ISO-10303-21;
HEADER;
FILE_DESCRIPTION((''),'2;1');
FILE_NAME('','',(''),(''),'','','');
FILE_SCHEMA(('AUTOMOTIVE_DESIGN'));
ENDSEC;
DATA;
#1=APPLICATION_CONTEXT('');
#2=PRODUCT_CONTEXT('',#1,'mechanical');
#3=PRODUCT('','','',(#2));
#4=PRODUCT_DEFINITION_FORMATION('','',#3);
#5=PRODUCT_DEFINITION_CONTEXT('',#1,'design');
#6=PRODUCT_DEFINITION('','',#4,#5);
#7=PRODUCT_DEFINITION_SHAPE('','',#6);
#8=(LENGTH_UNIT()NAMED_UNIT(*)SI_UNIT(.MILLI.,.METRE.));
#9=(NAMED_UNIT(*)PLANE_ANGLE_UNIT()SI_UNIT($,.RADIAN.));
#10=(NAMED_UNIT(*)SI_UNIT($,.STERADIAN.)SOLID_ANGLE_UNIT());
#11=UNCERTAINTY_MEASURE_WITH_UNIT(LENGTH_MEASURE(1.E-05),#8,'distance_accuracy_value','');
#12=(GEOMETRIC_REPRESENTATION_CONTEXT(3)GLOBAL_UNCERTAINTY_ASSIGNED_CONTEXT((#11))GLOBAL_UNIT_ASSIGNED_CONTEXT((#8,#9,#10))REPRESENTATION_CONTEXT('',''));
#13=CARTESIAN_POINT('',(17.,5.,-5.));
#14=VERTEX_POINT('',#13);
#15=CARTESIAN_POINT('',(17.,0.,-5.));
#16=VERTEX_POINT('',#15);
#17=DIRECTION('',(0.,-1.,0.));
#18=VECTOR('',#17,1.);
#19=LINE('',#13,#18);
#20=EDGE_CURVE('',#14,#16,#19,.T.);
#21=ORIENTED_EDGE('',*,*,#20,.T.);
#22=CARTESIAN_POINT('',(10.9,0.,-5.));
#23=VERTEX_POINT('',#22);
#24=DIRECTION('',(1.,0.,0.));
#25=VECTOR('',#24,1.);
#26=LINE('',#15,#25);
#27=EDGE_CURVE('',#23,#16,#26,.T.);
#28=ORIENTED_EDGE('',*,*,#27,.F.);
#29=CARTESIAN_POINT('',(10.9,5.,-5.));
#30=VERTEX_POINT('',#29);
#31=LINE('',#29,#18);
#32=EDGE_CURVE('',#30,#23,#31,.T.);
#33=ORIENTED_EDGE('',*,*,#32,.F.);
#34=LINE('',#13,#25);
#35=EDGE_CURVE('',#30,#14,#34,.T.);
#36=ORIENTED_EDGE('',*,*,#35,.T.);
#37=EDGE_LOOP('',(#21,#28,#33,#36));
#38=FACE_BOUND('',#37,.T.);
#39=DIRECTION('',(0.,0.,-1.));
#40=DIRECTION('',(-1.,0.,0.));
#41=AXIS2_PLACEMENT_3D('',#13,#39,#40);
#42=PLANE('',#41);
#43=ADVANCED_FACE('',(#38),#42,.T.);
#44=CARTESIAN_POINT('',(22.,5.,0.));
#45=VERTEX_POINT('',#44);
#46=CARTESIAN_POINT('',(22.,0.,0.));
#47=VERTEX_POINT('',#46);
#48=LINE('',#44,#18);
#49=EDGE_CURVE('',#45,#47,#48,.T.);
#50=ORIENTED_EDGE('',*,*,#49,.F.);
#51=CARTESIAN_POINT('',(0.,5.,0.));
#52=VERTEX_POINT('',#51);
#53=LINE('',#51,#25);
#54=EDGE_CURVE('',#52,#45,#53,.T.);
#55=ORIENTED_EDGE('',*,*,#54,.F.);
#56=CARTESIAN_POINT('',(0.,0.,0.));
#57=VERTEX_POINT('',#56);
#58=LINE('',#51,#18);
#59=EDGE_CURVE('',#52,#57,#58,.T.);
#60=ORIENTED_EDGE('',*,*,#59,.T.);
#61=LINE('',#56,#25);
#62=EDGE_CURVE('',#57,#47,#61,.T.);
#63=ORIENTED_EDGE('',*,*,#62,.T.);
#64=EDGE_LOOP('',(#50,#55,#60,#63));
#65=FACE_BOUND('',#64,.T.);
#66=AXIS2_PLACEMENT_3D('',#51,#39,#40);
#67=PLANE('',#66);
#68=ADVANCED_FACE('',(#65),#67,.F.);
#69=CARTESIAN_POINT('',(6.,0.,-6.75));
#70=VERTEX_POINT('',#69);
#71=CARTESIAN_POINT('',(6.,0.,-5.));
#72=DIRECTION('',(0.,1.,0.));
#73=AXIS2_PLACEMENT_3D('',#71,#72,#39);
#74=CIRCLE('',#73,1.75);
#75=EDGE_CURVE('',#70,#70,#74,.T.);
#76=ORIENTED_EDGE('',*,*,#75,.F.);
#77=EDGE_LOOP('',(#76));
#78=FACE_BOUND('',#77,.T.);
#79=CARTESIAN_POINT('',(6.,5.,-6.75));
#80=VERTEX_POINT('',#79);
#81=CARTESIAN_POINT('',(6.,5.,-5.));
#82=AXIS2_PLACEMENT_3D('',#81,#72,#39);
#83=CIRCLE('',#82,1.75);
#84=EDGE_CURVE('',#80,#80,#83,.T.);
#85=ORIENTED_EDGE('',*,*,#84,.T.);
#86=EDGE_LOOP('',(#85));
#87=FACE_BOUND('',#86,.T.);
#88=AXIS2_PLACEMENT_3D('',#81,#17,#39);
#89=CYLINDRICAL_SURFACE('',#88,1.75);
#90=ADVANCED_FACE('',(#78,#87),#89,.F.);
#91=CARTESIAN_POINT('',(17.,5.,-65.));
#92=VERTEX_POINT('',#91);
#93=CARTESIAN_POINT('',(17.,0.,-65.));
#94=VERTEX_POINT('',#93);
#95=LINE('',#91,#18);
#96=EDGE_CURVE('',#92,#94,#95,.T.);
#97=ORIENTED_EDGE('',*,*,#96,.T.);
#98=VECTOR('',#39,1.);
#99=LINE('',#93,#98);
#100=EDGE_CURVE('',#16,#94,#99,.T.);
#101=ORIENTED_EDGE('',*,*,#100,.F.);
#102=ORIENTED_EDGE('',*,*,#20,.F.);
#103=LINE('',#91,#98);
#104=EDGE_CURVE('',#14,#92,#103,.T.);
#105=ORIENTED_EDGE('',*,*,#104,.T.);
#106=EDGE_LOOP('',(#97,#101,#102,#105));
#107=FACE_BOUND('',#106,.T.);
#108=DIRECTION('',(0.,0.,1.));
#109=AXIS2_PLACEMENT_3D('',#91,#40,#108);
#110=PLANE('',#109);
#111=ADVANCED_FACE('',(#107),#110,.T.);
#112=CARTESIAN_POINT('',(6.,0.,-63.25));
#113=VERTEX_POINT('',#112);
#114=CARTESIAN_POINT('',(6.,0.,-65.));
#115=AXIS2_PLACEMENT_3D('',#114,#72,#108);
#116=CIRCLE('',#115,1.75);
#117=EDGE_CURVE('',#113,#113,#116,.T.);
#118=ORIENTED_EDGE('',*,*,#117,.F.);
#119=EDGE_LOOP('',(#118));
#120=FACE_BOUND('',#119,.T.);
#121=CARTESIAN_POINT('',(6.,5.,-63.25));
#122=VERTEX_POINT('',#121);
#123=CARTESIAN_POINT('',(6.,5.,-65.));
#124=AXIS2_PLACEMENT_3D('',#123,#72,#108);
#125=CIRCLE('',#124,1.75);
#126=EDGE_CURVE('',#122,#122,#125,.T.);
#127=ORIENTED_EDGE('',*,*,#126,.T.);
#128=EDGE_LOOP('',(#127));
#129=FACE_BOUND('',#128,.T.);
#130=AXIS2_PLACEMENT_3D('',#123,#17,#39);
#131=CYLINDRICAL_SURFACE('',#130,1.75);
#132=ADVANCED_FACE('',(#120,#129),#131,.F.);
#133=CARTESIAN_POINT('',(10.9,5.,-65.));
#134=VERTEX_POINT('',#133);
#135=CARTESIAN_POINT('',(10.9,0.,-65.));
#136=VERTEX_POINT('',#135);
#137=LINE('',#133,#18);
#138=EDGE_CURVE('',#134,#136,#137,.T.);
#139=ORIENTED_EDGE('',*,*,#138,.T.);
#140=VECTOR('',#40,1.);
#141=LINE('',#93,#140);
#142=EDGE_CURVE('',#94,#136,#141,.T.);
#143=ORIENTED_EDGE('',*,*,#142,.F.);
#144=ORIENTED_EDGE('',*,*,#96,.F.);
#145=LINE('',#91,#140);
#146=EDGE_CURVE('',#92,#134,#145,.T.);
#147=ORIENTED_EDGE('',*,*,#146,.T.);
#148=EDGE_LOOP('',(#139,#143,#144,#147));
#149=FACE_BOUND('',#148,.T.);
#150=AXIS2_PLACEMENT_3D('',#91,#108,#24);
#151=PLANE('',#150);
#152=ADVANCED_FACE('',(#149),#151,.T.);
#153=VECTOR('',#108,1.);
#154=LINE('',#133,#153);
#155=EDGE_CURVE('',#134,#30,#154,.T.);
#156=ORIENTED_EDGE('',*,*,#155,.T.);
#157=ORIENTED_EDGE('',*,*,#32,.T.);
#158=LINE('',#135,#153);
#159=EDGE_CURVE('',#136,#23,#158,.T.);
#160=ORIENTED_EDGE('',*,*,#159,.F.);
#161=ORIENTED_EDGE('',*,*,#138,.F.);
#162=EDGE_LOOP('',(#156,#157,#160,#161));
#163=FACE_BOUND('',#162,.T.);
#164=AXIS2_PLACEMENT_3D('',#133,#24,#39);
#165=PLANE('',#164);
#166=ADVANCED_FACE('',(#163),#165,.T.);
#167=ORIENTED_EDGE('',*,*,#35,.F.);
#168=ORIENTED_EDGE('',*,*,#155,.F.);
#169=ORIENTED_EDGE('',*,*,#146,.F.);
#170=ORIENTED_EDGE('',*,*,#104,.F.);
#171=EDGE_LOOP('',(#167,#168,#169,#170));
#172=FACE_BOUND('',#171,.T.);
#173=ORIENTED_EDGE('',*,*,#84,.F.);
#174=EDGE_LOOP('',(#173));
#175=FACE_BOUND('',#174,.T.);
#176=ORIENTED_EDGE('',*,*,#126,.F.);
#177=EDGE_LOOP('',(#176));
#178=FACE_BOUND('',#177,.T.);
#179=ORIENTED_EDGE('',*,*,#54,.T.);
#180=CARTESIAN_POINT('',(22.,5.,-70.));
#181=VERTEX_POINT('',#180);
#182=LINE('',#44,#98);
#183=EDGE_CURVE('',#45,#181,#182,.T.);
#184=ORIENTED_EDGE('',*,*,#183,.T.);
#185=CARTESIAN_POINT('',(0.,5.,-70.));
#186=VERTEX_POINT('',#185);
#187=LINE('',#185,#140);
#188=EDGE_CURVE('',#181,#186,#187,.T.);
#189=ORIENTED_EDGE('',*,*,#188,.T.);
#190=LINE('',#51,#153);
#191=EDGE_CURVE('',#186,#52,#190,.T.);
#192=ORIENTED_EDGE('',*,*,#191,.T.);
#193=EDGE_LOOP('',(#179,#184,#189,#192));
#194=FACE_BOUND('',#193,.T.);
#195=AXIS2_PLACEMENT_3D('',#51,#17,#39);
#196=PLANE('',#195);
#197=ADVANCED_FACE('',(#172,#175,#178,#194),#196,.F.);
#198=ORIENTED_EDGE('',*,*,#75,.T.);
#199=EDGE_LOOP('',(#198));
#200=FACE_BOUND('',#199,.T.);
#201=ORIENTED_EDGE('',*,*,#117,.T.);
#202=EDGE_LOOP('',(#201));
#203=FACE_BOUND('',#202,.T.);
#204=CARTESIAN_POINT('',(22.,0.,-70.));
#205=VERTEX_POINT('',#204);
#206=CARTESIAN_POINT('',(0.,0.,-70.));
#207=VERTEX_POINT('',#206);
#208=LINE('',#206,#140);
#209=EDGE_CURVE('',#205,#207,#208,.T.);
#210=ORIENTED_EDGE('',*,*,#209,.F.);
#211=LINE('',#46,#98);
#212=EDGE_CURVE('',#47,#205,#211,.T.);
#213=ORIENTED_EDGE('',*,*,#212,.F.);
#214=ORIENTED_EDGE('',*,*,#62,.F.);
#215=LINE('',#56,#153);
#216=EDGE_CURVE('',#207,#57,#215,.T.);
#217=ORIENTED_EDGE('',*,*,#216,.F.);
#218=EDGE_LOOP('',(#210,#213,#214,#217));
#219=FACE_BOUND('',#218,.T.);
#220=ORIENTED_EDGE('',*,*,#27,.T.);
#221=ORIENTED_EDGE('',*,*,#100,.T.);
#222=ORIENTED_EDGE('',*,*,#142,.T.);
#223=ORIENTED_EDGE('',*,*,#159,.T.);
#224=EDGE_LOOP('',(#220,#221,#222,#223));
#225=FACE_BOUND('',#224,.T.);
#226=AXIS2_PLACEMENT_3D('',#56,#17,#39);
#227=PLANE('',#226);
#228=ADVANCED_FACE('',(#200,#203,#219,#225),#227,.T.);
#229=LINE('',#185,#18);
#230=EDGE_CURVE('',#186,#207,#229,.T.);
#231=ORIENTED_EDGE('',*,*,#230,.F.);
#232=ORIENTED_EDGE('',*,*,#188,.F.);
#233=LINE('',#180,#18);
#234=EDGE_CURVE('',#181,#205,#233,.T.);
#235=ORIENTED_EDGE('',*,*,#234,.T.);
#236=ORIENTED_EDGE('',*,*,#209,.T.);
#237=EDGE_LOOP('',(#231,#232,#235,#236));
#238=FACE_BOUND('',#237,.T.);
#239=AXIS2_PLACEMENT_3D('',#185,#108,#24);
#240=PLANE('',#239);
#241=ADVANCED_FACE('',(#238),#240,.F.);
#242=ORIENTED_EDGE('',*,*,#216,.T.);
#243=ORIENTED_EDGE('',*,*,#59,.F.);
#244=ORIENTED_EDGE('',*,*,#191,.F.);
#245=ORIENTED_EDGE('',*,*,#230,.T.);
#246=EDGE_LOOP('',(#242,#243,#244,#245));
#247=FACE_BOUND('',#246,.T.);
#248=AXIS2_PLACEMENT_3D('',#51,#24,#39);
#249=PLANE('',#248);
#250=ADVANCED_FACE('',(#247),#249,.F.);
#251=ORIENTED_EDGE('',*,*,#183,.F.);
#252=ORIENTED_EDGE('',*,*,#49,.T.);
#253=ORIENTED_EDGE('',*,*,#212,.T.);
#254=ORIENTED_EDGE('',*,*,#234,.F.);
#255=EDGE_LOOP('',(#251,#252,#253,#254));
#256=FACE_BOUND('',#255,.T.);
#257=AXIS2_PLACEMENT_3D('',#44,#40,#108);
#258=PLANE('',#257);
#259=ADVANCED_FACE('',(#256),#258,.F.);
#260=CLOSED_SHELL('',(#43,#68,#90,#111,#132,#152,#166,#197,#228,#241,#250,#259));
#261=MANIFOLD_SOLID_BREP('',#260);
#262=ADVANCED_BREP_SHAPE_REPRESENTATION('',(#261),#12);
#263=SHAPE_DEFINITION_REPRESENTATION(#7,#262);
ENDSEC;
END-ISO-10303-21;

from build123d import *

# Parameters (mm, degrees)
SKETCH1_W           = 22
SKETCH1_H           = 70
SKETCH1_R           = 1.75
SKETCH1_W_2         = 6.1
SKETCH1_H_2         = 60
BOSS_EXTRUDE1_DEPTH = 5


with BuildPart() as part:
    # Sketch1 → Boss-Extrude1 (new body)
    with BuildSketch(Plane(origin=(0, 0, 0), x_dir=(1, 0, 0), z_dir=(0, 1, 0))):
        with Locations((11, 35)):
            Rectangle(SKETCH1_W, SKETCH1_H)
        with Locations(Location((6, 65, 0), (0, 0, 270))):
            Circle(SKETCH1_R, mode=Mode.SUBTRACT)
        with Locations(Location((6, 5, 0), (0, 0, 90))):
            Circle(SKETCH1_R, mode=Mode.SUBTRACT)
        with Locations((13.95, 35)):
            Rectangle(SKETCH1_W_2, SKETCH1_H_2, mode=Mode.SUBTRACT)
    extrude(amount=BOSS_EXTRUDE1_DEPTH)


solid = part.part
